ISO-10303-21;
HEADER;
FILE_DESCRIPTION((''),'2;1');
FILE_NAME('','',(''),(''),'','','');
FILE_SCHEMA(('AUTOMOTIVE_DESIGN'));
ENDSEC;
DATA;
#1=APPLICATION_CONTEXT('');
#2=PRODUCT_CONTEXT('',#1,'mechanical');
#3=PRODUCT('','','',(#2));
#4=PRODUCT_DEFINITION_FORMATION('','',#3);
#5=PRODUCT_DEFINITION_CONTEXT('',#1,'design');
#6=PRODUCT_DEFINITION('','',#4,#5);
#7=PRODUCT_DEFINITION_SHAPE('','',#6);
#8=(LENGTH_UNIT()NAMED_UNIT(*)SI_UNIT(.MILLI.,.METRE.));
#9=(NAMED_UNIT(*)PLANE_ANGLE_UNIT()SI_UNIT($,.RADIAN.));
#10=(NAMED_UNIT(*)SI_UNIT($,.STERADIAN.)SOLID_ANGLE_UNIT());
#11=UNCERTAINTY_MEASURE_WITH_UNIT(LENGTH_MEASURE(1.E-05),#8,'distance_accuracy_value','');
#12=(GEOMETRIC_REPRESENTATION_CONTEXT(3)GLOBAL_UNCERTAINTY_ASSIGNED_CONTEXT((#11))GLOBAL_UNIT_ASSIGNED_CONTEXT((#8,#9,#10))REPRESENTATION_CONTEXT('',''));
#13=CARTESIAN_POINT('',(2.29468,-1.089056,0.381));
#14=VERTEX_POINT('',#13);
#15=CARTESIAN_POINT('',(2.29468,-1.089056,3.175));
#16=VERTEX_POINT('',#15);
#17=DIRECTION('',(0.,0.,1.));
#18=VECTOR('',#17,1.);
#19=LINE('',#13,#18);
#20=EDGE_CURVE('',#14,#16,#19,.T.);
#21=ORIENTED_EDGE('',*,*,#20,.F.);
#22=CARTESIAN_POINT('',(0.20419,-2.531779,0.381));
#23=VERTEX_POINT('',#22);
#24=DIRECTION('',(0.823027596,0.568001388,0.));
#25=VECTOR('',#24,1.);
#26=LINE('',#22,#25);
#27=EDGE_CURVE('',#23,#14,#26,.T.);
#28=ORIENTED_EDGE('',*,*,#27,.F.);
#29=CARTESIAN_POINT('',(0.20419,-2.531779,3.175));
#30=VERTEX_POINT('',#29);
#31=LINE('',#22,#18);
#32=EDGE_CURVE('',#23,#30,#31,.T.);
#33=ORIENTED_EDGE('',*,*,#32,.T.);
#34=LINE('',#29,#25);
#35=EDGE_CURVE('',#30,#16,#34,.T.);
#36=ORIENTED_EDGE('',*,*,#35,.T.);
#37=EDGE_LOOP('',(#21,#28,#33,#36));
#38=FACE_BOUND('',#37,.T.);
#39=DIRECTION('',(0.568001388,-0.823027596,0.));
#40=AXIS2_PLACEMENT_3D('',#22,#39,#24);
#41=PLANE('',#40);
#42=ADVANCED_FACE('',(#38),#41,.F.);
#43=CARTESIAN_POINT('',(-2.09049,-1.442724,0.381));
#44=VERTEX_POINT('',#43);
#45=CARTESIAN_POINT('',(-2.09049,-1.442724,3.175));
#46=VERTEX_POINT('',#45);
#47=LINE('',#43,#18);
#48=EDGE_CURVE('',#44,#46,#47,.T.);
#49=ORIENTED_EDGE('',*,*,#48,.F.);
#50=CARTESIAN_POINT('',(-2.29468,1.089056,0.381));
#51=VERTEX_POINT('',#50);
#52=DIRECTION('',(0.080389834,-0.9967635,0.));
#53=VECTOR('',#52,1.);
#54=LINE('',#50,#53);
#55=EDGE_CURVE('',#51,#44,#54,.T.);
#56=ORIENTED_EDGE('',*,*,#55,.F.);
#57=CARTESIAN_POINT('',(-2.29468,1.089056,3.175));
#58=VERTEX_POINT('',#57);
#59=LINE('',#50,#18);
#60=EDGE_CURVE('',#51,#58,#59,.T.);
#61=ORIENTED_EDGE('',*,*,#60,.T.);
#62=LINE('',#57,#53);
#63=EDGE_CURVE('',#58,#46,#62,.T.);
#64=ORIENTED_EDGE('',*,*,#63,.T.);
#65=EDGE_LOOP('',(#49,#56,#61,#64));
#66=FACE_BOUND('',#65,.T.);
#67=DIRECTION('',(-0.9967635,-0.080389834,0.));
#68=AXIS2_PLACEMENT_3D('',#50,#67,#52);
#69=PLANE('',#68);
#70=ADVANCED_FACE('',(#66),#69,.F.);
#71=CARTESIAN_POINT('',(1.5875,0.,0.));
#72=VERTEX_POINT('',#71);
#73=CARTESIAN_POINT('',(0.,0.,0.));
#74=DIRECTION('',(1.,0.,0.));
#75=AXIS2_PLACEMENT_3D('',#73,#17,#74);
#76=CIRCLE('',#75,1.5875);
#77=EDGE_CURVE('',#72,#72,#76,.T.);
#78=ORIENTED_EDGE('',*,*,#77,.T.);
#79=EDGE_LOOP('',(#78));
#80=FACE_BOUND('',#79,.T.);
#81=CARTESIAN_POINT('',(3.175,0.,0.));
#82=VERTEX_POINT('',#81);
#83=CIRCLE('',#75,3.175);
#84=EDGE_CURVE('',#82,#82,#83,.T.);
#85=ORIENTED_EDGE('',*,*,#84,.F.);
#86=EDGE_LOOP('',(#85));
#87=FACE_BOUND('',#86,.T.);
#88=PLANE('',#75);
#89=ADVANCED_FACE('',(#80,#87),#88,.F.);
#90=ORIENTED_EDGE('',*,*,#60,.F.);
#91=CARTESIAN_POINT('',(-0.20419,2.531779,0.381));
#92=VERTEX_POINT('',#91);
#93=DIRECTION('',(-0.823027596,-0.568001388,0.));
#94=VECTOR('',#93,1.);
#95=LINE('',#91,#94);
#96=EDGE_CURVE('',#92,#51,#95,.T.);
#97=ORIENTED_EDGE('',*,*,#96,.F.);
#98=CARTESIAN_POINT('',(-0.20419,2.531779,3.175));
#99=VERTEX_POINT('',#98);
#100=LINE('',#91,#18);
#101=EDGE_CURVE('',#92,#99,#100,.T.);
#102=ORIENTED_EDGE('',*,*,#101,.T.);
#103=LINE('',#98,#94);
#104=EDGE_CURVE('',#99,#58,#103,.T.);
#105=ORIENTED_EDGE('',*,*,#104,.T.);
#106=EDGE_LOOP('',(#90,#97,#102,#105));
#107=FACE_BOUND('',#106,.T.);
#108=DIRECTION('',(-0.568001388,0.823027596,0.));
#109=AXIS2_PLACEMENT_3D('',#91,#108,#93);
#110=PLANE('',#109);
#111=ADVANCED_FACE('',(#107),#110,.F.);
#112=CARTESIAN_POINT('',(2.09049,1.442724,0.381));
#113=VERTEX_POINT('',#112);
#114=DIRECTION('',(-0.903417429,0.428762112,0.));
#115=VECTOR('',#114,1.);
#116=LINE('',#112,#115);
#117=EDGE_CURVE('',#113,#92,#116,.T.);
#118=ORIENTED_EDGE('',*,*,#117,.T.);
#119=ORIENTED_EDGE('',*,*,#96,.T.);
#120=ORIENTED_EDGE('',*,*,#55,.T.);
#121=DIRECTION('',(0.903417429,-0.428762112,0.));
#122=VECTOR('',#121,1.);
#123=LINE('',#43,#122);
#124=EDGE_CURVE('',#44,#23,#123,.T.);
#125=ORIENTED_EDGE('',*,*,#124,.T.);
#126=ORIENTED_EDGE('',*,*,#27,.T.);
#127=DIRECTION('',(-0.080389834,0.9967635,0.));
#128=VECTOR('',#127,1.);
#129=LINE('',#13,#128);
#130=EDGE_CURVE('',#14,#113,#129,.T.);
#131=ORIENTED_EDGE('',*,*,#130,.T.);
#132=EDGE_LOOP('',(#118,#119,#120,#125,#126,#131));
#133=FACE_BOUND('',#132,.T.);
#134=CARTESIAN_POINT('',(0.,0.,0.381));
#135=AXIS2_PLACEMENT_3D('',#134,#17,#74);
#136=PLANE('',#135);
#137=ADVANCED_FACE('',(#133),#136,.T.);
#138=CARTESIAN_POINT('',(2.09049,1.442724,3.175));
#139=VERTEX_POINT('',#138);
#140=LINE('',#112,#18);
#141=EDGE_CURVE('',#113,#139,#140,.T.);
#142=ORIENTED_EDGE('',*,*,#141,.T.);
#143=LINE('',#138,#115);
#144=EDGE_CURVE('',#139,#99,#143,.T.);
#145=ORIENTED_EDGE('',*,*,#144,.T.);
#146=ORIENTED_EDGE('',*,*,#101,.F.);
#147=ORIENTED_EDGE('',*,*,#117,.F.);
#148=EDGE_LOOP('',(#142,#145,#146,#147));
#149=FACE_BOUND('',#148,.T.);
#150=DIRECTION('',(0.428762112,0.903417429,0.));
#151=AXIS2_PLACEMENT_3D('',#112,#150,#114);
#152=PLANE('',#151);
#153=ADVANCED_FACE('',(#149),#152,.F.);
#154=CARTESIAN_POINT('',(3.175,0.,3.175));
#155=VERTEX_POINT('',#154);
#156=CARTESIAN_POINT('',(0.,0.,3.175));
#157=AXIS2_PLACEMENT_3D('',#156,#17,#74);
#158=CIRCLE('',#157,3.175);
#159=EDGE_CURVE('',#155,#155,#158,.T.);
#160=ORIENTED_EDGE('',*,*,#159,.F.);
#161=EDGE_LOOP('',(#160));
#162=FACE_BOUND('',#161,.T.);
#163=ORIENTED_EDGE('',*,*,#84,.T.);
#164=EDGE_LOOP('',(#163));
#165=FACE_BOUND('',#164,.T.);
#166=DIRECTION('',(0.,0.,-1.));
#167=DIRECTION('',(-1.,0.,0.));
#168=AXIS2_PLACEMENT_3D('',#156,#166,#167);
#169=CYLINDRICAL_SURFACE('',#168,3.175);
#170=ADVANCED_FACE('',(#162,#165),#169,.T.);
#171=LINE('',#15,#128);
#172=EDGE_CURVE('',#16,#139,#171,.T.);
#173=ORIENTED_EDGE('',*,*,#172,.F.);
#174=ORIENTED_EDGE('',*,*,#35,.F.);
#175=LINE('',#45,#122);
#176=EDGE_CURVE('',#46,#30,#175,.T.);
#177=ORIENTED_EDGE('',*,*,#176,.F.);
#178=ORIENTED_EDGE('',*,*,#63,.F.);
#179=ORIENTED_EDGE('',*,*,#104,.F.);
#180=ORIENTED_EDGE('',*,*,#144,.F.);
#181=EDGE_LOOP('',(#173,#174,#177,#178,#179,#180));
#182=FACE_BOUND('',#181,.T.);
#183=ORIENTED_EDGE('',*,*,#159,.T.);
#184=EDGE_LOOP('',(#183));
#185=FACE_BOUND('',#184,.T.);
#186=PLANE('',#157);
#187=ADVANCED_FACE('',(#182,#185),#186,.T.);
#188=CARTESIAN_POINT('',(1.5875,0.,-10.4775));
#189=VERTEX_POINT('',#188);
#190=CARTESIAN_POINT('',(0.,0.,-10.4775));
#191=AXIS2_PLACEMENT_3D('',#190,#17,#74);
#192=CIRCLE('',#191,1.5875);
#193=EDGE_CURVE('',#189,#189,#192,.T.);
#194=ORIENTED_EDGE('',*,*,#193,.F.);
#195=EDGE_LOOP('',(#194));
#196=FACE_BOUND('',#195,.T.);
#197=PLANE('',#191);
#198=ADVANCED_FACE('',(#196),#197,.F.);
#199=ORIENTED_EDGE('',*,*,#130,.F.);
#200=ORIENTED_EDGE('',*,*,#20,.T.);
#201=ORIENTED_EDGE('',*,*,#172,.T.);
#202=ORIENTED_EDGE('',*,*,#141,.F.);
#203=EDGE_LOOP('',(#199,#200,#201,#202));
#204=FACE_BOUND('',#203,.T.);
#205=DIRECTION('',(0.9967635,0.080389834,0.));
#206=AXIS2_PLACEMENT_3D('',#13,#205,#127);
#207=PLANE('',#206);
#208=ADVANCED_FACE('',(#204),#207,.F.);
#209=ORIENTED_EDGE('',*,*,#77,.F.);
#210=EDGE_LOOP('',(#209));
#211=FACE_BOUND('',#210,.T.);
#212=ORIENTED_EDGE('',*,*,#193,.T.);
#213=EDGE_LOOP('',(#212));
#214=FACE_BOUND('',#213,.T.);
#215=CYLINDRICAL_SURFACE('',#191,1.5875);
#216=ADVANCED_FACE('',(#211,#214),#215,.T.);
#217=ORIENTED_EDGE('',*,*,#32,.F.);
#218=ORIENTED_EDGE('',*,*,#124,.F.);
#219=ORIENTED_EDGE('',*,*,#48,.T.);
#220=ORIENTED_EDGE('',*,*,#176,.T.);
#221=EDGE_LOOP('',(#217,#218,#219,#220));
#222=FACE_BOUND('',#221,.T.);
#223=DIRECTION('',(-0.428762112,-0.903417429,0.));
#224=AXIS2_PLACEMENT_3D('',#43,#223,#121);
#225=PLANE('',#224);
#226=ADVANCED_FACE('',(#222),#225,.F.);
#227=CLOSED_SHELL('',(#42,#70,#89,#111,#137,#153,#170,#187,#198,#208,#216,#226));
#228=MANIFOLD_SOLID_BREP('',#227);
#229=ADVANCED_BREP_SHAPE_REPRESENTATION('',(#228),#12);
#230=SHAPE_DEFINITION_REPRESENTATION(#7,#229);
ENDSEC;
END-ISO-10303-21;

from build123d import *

# Parameters (mm, degrees)
CROQUIS1_R              = 1.5875
SALIENTE_EXTRUIR1_DEPTH = 10.4775
CROQUIS2_R              = 3.175
SALIENTE_EXTRUIR2_DEPTH = 3.175
CORTAR_EXTRUIR5_DEPTH   = 2.794


with BuildPart() as part:
    # Croquis1 → Saliente-Extruir1 (new body)
    with BuildSketch(Plane.XY):
        Circle(CROQUIS1_R)
    extrude(amount=-SALIENTE_EXTRUIR1_DEPTH)

    # Croquis2 → Saliente-Extruir2 (add)
    with BuildSketch(Plane.XY):
        Circle(CROQUIS2_R)
    extrude(amount=SALIENTE_EXTRUIR2_DEPTH)

    # Croquis3 → Cortar-Extruir5 (cut)
    with BuildSketch(Plane.XY.offset(3.175)):
        Polygon((2.294680271, -1.089055764), (2.090490093, 1.442723526), (-0.204190178, 2.53177929), (-2.294680271, 1.089055764), (-2.090490093, -1.442723526), (0.204190178, -2.53177929), align=None)
    extrude(amount=-CORTAR_EXTRUIR5_DEPTH, mode=Mode.SUBTRACT)


solid = part.part
